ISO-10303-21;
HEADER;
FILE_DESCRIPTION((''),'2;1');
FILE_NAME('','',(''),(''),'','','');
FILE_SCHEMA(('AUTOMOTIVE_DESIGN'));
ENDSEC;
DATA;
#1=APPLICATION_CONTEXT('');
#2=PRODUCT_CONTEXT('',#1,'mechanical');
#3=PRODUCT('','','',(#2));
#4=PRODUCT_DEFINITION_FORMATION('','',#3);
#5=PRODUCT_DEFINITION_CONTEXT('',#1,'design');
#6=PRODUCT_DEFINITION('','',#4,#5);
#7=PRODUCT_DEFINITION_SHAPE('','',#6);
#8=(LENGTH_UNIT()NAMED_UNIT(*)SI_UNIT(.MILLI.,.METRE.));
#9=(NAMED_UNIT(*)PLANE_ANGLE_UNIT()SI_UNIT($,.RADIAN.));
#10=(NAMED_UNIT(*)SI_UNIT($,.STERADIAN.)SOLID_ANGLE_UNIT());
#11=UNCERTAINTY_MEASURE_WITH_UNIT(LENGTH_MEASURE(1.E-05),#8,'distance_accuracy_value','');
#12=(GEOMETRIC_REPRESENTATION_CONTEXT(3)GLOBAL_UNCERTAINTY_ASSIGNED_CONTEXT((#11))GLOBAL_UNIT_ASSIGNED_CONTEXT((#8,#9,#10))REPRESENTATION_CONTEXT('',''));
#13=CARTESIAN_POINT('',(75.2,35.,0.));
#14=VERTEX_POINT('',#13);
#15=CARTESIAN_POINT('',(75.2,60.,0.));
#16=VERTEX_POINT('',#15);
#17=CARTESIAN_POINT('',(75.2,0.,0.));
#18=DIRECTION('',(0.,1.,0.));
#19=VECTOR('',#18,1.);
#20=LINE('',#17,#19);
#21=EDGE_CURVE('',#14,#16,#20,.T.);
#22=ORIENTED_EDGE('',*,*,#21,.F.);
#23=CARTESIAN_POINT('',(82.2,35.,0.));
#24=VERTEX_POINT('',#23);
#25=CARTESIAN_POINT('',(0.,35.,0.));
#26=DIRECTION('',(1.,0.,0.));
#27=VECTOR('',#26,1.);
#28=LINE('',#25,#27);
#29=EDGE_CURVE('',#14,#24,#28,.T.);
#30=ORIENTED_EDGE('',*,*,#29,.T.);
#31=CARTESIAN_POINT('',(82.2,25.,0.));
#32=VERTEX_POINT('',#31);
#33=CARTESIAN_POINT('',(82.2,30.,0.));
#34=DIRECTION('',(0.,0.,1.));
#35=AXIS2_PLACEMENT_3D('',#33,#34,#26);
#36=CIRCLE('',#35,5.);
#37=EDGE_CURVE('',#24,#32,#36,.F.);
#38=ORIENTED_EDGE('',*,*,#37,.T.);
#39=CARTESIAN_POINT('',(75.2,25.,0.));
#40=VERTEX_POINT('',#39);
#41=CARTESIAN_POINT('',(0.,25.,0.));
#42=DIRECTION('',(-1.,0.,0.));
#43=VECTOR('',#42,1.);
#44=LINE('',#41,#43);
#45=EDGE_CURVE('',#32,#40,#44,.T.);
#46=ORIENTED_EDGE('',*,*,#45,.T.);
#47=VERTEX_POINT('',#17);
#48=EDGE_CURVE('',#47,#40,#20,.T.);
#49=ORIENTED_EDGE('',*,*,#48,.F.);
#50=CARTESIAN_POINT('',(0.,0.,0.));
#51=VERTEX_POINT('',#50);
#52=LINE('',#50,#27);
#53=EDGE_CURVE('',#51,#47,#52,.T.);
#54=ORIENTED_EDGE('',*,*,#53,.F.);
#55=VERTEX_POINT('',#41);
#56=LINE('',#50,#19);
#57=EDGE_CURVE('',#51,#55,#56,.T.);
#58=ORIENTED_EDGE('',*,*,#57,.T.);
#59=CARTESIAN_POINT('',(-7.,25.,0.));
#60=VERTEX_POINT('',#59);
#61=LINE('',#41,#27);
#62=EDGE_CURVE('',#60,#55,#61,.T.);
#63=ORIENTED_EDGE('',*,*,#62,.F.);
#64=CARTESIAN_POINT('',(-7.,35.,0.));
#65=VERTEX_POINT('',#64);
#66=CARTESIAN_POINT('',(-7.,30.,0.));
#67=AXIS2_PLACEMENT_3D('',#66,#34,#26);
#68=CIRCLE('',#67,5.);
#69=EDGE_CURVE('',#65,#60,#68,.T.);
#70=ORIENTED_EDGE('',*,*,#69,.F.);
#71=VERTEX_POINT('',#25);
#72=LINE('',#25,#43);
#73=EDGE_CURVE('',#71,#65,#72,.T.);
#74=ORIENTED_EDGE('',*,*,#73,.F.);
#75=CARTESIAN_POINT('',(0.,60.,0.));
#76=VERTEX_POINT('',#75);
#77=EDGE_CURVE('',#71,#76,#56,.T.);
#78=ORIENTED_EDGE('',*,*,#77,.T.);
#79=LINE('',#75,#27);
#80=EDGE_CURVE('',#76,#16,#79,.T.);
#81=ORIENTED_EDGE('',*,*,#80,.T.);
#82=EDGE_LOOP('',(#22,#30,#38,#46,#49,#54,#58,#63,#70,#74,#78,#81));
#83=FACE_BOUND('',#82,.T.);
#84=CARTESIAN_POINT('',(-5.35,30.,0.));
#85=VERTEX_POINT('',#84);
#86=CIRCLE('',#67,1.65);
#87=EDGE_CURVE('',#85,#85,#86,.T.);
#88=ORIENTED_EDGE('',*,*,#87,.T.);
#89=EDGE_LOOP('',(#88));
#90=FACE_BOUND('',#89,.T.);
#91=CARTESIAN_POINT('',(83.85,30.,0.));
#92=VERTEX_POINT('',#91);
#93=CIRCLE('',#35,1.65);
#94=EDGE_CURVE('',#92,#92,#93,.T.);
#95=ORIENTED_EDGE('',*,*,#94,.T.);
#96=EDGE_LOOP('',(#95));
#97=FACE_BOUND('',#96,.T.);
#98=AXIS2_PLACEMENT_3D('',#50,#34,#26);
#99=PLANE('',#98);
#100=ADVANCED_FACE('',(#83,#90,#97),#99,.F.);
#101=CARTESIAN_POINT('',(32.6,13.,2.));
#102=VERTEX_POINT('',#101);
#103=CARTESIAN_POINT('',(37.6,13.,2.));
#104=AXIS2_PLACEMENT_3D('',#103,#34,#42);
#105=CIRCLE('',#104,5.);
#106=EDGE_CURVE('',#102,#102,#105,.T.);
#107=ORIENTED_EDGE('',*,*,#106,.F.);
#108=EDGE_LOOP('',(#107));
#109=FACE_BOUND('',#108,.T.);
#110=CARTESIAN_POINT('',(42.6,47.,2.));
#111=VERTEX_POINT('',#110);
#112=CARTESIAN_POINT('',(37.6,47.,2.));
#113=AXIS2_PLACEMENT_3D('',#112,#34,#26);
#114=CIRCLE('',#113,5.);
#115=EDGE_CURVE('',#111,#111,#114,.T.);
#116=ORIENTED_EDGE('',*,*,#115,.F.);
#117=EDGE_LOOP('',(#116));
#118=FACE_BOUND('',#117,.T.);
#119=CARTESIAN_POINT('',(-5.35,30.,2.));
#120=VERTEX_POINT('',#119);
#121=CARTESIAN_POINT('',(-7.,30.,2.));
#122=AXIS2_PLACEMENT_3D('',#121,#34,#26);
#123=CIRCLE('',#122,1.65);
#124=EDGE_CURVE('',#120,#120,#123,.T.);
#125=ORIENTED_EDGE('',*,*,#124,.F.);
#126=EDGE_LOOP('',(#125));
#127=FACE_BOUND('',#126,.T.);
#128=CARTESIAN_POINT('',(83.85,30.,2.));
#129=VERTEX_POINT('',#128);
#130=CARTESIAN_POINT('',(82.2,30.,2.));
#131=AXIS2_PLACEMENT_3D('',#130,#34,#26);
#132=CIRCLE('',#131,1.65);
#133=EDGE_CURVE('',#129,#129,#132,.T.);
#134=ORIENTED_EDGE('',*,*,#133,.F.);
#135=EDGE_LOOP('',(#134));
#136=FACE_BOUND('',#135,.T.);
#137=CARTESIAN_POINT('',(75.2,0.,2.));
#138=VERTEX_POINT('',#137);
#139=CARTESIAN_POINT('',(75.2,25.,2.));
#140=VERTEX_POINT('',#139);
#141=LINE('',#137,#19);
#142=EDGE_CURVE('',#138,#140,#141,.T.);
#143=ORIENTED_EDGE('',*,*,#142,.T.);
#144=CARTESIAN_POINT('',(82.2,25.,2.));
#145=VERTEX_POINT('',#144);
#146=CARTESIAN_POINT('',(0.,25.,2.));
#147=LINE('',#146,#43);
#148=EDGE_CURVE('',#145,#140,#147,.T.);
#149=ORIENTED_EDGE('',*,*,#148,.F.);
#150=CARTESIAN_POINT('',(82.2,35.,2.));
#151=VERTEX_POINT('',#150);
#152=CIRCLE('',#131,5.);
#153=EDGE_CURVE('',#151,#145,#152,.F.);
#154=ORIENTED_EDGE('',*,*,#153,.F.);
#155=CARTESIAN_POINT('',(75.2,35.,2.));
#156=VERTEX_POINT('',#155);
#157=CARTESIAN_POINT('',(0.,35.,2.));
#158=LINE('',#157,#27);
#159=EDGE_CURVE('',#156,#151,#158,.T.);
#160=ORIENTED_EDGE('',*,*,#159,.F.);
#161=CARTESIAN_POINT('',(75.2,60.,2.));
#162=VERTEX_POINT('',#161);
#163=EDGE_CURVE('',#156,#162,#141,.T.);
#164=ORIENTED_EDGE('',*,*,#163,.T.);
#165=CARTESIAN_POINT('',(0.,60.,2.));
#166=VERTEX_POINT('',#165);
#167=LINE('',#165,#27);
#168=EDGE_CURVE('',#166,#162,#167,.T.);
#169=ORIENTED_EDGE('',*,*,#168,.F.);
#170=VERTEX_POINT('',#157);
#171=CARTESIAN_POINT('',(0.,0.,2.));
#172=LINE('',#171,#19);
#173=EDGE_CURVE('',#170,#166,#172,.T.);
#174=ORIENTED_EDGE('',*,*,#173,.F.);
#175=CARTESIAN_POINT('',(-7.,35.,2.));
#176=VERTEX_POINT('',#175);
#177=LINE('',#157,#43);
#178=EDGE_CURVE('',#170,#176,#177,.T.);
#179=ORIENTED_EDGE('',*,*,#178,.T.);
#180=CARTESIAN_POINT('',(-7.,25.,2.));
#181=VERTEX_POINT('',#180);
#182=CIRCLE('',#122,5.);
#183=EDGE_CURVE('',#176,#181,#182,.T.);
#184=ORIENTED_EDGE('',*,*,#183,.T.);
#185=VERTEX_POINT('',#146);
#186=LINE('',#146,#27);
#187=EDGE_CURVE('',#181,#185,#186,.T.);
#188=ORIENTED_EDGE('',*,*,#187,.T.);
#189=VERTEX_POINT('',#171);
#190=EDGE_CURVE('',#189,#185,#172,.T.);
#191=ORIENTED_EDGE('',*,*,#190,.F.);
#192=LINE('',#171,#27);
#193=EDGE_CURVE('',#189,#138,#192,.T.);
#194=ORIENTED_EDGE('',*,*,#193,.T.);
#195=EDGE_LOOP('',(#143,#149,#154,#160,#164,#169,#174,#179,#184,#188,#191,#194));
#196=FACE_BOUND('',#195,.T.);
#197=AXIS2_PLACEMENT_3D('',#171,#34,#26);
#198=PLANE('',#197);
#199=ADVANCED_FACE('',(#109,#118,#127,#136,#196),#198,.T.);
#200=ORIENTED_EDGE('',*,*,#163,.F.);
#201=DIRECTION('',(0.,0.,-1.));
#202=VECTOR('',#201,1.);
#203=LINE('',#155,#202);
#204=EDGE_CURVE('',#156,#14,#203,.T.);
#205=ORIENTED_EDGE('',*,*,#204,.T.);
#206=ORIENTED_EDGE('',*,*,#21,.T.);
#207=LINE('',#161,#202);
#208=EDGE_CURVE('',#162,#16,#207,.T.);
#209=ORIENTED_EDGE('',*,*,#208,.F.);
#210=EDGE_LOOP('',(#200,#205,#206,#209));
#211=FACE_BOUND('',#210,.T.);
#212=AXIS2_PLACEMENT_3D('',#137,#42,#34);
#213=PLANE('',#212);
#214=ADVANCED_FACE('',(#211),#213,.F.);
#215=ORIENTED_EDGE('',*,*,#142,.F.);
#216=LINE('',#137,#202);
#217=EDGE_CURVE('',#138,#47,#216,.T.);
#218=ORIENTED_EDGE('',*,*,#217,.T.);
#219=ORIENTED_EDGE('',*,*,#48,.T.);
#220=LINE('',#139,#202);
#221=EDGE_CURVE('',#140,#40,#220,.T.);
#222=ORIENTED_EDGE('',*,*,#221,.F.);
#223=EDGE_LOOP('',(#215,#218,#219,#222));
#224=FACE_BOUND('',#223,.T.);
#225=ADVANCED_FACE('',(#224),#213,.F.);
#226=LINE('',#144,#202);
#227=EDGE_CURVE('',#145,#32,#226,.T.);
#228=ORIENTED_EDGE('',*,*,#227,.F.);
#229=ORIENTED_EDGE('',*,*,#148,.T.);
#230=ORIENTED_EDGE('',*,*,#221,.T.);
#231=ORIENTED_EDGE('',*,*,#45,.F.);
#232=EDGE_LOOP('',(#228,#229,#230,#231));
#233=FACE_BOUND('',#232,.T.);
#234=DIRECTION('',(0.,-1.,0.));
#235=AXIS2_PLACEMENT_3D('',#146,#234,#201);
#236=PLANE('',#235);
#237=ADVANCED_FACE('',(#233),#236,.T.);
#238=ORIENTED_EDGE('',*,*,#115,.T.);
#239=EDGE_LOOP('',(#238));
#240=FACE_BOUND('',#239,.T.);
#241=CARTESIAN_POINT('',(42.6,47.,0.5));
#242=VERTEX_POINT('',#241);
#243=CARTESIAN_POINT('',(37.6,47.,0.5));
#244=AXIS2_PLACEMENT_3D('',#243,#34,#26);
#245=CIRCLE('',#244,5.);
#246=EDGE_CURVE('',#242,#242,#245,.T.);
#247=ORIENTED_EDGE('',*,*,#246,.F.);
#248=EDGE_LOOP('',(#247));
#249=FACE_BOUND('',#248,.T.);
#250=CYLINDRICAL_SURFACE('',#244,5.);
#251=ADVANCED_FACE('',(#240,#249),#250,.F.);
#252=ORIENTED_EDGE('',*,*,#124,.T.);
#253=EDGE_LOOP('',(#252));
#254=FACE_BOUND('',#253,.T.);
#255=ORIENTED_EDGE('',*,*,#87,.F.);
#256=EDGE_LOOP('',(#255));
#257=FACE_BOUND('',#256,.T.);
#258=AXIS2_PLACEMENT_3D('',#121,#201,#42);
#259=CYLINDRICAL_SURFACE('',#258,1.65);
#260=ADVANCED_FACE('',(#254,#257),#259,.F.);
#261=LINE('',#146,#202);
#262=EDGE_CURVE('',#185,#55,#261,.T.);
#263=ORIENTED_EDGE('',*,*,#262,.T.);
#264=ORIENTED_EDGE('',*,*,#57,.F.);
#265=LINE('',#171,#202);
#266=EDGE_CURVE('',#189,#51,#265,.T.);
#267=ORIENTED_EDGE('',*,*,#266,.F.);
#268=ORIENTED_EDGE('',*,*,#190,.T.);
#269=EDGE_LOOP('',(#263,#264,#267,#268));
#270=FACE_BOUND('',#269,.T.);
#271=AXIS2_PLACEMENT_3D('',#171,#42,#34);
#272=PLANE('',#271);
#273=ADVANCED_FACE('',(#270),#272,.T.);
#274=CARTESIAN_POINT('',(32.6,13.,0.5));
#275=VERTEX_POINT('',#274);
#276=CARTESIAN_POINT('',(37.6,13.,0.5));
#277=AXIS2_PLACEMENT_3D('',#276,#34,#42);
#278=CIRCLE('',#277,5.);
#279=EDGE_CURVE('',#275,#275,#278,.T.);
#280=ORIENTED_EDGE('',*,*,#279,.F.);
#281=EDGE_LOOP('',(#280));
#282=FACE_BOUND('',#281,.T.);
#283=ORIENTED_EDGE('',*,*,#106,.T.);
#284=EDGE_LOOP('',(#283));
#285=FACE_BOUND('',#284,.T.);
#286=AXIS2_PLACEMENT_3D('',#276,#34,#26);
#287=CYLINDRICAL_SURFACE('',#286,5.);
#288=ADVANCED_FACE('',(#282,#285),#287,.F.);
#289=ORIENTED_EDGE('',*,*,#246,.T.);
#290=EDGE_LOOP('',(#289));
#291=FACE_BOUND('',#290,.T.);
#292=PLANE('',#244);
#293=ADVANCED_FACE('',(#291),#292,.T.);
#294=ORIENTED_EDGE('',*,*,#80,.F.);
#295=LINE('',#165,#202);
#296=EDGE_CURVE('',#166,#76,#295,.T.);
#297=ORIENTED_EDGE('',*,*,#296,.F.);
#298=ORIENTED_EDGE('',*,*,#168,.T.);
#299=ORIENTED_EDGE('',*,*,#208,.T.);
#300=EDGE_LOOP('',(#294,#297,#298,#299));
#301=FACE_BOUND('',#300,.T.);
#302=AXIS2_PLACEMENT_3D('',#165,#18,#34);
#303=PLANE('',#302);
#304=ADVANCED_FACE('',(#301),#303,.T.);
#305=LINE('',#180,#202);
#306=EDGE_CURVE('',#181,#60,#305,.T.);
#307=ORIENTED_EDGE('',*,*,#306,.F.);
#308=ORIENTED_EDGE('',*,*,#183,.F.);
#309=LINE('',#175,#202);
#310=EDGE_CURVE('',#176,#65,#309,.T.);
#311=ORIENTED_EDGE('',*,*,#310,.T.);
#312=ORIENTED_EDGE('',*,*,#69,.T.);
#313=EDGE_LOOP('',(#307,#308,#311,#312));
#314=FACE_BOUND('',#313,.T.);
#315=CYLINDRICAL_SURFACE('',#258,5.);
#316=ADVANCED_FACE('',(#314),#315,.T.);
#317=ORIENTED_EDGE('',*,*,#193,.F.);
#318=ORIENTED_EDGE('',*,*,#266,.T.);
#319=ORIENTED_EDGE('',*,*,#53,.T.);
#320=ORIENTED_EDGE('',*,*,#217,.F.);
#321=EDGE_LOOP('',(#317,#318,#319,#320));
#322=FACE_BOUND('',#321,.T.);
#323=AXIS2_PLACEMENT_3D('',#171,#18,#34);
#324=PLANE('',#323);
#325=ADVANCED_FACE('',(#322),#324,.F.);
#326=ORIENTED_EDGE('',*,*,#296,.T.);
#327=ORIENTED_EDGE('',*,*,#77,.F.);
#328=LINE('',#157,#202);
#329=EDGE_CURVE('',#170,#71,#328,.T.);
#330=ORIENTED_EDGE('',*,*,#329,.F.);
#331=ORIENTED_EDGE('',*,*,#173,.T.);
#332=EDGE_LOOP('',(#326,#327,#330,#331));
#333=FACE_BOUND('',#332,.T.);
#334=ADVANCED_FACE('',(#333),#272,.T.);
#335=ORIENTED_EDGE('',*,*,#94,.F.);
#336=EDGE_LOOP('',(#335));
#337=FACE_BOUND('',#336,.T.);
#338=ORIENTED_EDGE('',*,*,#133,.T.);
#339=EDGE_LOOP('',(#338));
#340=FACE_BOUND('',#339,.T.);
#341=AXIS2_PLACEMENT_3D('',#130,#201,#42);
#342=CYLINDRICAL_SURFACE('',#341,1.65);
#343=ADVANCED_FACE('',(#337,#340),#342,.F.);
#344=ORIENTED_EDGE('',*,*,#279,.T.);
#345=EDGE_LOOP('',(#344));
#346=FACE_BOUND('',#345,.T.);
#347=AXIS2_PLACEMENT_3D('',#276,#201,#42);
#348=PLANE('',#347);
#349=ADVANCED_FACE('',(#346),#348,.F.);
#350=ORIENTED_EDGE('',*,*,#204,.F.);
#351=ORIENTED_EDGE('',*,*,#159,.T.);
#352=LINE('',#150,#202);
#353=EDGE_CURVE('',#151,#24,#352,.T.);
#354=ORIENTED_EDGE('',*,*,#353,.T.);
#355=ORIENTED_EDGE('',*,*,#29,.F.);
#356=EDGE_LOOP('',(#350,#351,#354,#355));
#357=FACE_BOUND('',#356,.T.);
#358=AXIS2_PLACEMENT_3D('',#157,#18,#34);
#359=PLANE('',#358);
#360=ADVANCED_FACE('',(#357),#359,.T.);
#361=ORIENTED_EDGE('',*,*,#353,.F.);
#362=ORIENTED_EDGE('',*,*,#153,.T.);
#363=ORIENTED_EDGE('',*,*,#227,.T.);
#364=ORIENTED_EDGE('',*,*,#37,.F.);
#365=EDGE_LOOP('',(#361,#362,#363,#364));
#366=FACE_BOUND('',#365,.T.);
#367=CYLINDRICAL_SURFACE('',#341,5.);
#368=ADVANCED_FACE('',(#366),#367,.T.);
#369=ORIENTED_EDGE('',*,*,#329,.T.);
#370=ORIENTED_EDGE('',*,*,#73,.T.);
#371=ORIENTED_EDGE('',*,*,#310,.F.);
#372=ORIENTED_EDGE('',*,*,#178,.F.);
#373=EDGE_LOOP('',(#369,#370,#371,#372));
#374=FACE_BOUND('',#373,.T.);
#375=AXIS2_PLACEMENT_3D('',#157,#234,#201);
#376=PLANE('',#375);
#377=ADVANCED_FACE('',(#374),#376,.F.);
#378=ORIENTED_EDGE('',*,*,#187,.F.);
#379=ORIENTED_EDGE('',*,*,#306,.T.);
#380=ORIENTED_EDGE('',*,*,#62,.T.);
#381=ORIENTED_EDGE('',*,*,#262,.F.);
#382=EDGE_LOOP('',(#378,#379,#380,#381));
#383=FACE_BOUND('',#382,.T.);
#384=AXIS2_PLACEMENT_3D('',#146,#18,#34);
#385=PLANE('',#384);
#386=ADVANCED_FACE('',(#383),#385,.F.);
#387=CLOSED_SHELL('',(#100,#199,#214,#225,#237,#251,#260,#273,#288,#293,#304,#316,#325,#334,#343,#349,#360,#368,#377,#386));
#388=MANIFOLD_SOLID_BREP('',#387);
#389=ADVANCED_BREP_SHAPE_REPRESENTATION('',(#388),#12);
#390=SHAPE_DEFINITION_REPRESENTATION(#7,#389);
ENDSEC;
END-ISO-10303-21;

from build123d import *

# Parameters (mm, degrees)
SKETCH2_W           = 75.2
SKETCH2_H           = 60
SKETCH2_R           = 1.65
BOSS_EXTRUDE1_DEPTH = 2
SKETCH3_R           = 5
CUT_EXTRUDE1_DEPTH  = 1.5


with BuildPart() as part:
    # Sketch2 → Boss-Extrude1 (new body)
    # profile 1 of 3: a face of its own
    with BuildSketch(Plane.XY):
        with Locations((37.6, 30)):
            Rectangle(SKETCH2_W, SKETCH2_H)
    # profile 2 of 3: a face of its own
    with BuildSketch(Plane.XY):
        with BuildLine():
            Line((0, 35), (-7, 35))
            ThreePointArc((-7, 35), (-12, 30), (-7, 25))
            Line((-7, 25), (0, 25))
            Line((0, 25), (0, 35))
        make_face()
        with Locations((-7, 30)):
            Circle(SKETCH2_R, mode=Mode.SUBTRACT)
    # profile 3 of 3: a face of its own
    with BuildSketch(Plane.XY):
        with BuildLine():
            Line((82.2, 25), (75.2, 25))
            Line((75.2, 25), (75.2, 35))
            Line((75.2, 35), (82.2, 35))
            ThreePointArc((82.2, 35), (87.2, 30), (82.2, 25))
        make_face()
        with Locations((82.2, 30)):
            Circle(SKETCH2_R, mode=Mode.SUBTRACT)
    extrude(amount=BOSS_EXTRUDE1_DEPTH)

    # Sketch3 → Cut-Extrude1 (cut)
    with BuildSketch(Plane.XY.offset(2)):
        with Locations((37.6, 47)):
            Circle(SKETCH3_R)
        with Locations(Location((37.6, 13, 0), (0, 0, 180))):
            Circle(SKETCH3_R)
    extrude(amount=-CUT_EXTRUDE1_DEPTH, mode=Mode.SUBTRACT)


solid = part.part
